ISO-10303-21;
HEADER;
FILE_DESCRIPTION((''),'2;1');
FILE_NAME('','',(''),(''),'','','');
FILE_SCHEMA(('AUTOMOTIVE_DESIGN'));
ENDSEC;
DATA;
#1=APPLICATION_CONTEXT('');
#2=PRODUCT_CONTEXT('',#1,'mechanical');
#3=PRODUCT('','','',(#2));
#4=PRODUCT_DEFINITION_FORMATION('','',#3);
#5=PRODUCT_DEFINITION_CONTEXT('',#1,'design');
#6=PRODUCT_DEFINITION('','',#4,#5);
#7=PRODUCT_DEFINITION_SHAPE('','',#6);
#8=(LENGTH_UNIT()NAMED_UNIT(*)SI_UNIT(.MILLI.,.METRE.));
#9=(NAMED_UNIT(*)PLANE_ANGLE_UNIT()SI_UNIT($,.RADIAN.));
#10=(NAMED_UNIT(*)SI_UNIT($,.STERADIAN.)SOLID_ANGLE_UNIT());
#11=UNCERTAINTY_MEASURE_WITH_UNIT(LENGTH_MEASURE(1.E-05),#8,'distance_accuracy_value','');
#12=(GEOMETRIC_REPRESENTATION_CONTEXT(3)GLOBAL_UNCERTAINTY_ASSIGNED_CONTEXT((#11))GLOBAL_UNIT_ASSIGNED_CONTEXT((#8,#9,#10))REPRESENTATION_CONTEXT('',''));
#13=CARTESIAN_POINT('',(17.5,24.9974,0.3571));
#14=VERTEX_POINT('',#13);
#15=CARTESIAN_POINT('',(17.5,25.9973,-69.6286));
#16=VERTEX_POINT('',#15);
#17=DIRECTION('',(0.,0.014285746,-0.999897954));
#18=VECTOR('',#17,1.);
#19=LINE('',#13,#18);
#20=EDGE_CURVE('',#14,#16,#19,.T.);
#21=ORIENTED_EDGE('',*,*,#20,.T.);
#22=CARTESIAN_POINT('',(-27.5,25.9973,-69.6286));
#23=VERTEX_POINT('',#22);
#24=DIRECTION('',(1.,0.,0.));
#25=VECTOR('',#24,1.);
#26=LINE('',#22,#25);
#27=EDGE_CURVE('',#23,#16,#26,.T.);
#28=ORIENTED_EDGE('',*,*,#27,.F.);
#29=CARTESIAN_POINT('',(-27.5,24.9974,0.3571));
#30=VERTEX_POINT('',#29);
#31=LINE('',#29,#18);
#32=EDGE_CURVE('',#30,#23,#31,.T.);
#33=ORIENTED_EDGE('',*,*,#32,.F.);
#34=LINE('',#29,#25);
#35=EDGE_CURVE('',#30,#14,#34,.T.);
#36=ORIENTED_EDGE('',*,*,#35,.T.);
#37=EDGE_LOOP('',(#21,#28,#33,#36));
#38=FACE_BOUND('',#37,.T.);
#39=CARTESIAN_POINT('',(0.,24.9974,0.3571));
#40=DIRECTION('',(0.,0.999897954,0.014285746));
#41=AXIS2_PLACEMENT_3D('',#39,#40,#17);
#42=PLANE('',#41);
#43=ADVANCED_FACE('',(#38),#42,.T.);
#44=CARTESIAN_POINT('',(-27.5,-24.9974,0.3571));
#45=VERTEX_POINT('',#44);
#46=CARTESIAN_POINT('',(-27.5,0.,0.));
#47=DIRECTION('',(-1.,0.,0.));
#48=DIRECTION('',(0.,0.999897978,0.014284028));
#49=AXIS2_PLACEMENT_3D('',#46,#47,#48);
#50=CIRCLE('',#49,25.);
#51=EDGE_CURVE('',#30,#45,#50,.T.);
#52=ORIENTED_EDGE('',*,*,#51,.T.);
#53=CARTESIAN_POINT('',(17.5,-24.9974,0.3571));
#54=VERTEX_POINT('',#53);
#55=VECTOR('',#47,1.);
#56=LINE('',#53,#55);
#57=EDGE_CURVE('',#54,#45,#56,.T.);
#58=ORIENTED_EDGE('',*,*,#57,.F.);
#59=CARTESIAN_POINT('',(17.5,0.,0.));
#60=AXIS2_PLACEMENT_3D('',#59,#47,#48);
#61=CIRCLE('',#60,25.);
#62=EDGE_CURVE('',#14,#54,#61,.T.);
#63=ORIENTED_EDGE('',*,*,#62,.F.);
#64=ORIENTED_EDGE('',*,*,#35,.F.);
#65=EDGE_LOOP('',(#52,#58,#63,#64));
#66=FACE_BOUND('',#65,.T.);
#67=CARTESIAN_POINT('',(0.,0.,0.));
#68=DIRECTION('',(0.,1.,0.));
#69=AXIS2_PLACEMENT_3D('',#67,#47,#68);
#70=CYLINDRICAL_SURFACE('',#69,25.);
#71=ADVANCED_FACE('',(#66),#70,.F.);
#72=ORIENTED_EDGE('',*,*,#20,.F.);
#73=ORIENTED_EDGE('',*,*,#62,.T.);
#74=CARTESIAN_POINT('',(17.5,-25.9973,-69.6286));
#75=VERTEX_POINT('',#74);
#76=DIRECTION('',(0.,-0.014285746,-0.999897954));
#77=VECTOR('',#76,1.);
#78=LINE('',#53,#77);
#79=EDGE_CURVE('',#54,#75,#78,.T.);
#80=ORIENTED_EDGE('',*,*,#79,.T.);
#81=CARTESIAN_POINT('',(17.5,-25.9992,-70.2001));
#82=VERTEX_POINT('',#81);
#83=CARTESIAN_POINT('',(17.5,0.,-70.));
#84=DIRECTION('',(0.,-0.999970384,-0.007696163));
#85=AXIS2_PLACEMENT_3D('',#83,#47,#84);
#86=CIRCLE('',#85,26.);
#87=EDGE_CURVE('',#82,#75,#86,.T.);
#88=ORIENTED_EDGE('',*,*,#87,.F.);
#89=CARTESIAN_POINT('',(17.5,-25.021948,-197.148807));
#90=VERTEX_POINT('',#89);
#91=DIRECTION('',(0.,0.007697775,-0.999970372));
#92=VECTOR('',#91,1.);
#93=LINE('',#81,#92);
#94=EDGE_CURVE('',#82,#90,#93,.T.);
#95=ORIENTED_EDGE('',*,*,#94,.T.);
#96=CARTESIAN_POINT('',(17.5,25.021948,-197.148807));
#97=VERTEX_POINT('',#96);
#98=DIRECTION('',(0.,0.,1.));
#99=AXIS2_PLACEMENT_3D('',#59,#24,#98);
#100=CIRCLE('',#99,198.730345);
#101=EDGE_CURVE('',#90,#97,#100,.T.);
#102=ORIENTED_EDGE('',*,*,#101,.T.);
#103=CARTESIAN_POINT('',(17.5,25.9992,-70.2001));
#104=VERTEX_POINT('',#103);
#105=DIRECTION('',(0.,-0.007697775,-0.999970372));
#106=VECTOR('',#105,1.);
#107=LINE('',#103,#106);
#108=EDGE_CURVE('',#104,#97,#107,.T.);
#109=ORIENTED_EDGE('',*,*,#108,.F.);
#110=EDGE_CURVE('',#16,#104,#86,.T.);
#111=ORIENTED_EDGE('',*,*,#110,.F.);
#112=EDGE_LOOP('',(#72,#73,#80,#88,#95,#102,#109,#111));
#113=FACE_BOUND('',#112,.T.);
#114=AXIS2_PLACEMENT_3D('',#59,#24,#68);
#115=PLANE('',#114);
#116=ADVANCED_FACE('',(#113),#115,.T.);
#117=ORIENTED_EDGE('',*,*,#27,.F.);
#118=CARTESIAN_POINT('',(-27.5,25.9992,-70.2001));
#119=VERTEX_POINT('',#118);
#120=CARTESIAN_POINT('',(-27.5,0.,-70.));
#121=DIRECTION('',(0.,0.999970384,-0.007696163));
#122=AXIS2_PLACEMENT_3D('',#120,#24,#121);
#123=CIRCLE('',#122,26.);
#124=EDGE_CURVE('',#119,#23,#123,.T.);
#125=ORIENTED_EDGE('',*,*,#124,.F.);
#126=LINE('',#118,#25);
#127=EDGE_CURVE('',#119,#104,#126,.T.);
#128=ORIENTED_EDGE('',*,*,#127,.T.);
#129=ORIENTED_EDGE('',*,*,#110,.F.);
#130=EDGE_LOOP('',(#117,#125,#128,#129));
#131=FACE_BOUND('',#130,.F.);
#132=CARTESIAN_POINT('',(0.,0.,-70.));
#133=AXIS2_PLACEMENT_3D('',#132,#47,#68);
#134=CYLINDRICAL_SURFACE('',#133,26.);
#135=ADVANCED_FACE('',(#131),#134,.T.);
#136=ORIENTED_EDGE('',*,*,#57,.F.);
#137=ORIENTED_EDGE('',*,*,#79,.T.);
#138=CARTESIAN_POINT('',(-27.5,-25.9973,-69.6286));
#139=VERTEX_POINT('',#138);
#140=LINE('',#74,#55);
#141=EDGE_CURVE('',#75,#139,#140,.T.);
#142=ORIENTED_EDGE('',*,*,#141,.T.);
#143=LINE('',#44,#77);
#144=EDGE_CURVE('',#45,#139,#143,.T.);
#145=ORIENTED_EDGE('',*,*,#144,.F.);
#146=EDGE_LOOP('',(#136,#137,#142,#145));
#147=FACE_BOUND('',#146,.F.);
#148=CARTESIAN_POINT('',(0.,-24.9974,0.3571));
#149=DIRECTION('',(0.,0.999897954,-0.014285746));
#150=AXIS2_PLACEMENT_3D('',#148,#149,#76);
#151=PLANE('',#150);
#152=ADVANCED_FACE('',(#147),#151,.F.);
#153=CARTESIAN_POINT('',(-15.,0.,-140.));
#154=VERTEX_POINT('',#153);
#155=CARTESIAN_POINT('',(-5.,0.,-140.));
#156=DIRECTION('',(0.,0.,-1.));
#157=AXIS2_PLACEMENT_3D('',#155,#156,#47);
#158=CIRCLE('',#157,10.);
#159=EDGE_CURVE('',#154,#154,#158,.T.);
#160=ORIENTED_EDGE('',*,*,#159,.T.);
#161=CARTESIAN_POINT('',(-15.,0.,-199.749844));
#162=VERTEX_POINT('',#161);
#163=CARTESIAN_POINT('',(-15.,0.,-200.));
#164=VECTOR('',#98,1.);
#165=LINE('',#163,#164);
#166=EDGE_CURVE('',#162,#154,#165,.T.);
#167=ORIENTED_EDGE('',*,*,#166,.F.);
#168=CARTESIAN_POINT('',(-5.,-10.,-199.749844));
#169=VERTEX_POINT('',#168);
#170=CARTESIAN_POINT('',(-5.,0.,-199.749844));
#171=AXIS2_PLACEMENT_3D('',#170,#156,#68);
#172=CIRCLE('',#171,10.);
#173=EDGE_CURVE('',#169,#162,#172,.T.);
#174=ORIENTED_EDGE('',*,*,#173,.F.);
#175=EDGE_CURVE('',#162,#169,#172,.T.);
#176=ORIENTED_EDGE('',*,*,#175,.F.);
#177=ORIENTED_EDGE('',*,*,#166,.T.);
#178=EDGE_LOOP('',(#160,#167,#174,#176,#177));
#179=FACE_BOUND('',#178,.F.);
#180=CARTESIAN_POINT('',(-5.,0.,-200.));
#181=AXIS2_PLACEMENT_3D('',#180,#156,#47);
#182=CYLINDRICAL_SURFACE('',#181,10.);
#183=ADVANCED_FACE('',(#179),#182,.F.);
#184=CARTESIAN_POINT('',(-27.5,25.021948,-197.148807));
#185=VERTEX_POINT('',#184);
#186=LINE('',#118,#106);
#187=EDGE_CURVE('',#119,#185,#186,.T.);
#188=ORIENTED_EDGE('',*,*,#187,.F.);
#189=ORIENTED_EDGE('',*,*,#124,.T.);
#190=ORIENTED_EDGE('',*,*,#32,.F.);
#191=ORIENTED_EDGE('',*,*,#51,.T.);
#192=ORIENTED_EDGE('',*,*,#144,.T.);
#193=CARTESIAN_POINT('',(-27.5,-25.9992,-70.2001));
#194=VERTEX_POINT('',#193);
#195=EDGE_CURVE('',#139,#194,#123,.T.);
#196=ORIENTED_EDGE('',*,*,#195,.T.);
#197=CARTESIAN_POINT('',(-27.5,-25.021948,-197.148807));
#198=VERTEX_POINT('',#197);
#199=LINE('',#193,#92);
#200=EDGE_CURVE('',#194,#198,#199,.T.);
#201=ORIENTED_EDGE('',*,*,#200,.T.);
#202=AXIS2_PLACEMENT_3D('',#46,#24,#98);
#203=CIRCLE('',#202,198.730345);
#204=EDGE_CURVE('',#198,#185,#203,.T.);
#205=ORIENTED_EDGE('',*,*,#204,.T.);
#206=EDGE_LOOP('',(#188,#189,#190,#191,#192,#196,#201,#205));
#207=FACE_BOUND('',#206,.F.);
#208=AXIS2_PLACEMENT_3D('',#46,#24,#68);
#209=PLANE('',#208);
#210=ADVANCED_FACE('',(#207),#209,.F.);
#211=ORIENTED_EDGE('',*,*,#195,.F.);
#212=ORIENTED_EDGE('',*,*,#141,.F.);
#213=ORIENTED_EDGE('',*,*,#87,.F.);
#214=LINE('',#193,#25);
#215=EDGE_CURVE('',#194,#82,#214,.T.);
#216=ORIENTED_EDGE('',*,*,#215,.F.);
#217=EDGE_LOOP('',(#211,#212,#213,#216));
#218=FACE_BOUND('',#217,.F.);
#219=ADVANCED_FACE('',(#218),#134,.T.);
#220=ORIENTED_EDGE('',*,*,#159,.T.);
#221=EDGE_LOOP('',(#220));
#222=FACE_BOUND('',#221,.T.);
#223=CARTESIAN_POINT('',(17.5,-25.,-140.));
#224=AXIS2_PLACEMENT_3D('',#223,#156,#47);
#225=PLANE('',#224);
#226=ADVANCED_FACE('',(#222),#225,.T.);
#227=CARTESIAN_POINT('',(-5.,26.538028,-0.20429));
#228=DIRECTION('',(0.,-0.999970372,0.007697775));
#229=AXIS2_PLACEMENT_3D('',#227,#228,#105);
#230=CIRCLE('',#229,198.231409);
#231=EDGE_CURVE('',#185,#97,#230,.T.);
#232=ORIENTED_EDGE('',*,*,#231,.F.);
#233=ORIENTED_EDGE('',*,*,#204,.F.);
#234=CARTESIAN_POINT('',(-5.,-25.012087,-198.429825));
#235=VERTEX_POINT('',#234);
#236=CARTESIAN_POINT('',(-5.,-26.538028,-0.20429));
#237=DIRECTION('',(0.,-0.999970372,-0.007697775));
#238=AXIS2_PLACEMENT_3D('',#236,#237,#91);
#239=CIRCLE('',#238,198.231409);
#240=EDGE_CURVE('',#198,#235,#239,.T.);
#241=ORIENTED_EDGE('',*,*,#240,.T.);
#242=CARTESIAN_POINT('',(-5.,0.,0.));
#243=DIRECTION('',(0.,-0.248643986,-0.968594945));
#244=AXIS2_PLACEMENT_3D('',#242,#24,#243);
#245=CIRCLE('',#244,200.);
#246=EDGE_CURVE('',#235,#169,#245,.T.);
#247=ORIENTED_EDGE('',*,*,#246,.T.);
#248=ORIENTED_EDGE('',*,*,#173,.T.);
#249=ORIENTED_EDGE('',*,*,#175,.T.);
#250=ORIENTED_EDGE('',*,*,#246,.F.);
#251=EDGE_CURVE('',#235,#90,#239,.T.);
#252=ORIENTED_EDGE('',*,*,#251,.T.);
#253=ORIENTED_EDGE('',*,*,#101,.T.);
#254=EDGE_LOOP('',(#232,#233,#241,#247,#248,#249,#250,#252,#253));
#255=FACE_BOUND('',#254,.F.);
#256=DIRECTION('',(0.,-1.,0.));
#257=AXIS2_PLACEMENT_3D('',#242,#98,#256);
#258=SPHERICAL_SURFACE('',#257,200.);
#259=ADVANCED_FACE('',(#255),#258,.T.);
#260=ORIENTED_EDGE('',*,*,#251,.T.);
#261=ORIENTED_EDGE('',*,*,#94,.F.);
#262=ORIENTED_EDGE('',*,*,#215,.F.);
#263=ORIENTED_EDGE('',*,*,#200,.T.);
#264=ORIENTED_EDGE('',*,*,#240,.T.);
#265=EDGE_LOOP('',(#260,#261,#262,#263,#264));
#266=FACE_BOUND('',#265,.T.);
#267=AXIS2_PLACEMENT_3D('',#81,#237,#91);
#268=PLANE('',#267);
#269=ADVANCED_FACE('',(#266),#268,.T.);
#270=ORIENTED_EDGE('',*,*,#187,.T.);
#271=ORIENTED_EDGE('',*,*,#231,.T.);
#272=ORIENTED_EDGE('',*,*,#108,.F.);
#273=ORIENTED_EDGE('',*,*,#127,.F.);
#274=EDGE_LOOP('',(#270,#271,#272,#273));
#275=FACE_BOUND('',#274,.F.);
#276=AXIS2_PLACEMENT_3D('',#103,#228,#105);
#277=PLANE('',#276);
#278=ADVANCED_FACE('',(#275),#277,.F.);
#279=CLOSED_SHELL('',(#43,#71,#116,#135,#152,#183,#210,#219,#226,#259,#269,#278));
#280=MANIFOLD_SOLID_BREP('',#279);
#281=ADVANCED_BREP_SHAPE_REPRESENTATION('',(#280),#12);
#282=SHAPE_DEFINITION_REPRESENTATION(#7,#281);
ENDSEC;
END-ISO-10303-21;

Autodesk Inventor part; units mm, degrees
ref_plane "YZ Plane" through (0, 0, 0) normal (1, 0, 0) x (0, 1, 0)
ref_plane "XY Plane" through (0, 0, 0) normal (0, 0, 1) x (1, 0, 0)
ref_plane "UCS1: YZ Plane" through (0, 0, 0) normal (1, 0, 0) x (0, 1, 0)
sketch "Sketch2" plane through (0, 0, 0) normal (1, 0, 0) x (0, 1, 0)
  circle A0 centre (0, -70) radius 26
  line L0 (25, -200) -> (-25, -200)
  line L1 (0, -70) -> (0, -200) construction
  line L2 (-25.9992, -70.2001) -> (-25, -200)
  line L3 (25.9992, -70.2001) -> (25, -200)
  circle A1 centre (0, 0) radius 25
  line L4 (-24.9974, 0.3571) -> (-25.9973, -69.6286)
  line L5 (24.9974, 0.3571) -> (25.9973, -69.6286)
  point P0 (25, 0)
  point P1 (-25, 0)
  dimension "d1" = 52
  dimension "d3" = 50
  dimension "d25" = 130
  dimension "d26" = 50
  dimension "d33" = 70
extrude "Extrusion1" add sketch "Sketch2" along normal blind 17.5 and the other way blind 27.5 contours A0
extrude "Extrusion2" add sketch "Sketch2" against normal blind 45 from surface at 17.5 contours L3 L0 L2 A0
sketch "Sketch5" plane through (17.5, -25, -200) normal (0, 0, -1) x (-1, 0, 0)
  circle A0 centre (22.5, 25) radius 10
  line L0 (45, 50) -> (45, 0) projected
  line L1 (45, 50) -> (0, 50) projected
  point P0 (17.5, 25)
  point P1 (45, 25)
  point P2 (-45, 0)
  point P3 (22.5, 50)
  dimension "d22" = 20
extrude "Extrusion4" cut sketch "Sketch5" against normal blind 60
ref_plane "Work Plane1" through (-5, 0, -70) normal (-1, 0, 0) x (0, 0, -1)
sketch "Sketch4" plane through (-5, 0, -70) normal (-1, 0, 0) x (0, 0, -1)
  circle A0 centre (-70, 0) radius 200
  line L0 (130, -25) -> (130, 25) projected
  line L1 (-270, 0) -> (130, 0)
  line L2 (130, 0) -> (130, 25)
  line L3 (130, 25) -> (0.2001, 25.9992) projected
  line L4 (130, 25) -> (130.19, 49.679)
  line L5 (130.19, 49.679) -> (123.719, 49.7288)
  point P0 (128.4298, 25.0121)
  point P1 (130, 0)
revolve "Revolution1" cut sketch "Sketch4" angle 360 about axis through (-5, 0, 200) along (0, 0, -1) contours L5 L4 L3 A0 | L3 L0 A0
extrude "Extrusion5" add sketch "Sketch2" along normal blind 17.5 and the other way blind 27.5 contours A0 L4 A1 L5
properties part number "shank_inventor"
